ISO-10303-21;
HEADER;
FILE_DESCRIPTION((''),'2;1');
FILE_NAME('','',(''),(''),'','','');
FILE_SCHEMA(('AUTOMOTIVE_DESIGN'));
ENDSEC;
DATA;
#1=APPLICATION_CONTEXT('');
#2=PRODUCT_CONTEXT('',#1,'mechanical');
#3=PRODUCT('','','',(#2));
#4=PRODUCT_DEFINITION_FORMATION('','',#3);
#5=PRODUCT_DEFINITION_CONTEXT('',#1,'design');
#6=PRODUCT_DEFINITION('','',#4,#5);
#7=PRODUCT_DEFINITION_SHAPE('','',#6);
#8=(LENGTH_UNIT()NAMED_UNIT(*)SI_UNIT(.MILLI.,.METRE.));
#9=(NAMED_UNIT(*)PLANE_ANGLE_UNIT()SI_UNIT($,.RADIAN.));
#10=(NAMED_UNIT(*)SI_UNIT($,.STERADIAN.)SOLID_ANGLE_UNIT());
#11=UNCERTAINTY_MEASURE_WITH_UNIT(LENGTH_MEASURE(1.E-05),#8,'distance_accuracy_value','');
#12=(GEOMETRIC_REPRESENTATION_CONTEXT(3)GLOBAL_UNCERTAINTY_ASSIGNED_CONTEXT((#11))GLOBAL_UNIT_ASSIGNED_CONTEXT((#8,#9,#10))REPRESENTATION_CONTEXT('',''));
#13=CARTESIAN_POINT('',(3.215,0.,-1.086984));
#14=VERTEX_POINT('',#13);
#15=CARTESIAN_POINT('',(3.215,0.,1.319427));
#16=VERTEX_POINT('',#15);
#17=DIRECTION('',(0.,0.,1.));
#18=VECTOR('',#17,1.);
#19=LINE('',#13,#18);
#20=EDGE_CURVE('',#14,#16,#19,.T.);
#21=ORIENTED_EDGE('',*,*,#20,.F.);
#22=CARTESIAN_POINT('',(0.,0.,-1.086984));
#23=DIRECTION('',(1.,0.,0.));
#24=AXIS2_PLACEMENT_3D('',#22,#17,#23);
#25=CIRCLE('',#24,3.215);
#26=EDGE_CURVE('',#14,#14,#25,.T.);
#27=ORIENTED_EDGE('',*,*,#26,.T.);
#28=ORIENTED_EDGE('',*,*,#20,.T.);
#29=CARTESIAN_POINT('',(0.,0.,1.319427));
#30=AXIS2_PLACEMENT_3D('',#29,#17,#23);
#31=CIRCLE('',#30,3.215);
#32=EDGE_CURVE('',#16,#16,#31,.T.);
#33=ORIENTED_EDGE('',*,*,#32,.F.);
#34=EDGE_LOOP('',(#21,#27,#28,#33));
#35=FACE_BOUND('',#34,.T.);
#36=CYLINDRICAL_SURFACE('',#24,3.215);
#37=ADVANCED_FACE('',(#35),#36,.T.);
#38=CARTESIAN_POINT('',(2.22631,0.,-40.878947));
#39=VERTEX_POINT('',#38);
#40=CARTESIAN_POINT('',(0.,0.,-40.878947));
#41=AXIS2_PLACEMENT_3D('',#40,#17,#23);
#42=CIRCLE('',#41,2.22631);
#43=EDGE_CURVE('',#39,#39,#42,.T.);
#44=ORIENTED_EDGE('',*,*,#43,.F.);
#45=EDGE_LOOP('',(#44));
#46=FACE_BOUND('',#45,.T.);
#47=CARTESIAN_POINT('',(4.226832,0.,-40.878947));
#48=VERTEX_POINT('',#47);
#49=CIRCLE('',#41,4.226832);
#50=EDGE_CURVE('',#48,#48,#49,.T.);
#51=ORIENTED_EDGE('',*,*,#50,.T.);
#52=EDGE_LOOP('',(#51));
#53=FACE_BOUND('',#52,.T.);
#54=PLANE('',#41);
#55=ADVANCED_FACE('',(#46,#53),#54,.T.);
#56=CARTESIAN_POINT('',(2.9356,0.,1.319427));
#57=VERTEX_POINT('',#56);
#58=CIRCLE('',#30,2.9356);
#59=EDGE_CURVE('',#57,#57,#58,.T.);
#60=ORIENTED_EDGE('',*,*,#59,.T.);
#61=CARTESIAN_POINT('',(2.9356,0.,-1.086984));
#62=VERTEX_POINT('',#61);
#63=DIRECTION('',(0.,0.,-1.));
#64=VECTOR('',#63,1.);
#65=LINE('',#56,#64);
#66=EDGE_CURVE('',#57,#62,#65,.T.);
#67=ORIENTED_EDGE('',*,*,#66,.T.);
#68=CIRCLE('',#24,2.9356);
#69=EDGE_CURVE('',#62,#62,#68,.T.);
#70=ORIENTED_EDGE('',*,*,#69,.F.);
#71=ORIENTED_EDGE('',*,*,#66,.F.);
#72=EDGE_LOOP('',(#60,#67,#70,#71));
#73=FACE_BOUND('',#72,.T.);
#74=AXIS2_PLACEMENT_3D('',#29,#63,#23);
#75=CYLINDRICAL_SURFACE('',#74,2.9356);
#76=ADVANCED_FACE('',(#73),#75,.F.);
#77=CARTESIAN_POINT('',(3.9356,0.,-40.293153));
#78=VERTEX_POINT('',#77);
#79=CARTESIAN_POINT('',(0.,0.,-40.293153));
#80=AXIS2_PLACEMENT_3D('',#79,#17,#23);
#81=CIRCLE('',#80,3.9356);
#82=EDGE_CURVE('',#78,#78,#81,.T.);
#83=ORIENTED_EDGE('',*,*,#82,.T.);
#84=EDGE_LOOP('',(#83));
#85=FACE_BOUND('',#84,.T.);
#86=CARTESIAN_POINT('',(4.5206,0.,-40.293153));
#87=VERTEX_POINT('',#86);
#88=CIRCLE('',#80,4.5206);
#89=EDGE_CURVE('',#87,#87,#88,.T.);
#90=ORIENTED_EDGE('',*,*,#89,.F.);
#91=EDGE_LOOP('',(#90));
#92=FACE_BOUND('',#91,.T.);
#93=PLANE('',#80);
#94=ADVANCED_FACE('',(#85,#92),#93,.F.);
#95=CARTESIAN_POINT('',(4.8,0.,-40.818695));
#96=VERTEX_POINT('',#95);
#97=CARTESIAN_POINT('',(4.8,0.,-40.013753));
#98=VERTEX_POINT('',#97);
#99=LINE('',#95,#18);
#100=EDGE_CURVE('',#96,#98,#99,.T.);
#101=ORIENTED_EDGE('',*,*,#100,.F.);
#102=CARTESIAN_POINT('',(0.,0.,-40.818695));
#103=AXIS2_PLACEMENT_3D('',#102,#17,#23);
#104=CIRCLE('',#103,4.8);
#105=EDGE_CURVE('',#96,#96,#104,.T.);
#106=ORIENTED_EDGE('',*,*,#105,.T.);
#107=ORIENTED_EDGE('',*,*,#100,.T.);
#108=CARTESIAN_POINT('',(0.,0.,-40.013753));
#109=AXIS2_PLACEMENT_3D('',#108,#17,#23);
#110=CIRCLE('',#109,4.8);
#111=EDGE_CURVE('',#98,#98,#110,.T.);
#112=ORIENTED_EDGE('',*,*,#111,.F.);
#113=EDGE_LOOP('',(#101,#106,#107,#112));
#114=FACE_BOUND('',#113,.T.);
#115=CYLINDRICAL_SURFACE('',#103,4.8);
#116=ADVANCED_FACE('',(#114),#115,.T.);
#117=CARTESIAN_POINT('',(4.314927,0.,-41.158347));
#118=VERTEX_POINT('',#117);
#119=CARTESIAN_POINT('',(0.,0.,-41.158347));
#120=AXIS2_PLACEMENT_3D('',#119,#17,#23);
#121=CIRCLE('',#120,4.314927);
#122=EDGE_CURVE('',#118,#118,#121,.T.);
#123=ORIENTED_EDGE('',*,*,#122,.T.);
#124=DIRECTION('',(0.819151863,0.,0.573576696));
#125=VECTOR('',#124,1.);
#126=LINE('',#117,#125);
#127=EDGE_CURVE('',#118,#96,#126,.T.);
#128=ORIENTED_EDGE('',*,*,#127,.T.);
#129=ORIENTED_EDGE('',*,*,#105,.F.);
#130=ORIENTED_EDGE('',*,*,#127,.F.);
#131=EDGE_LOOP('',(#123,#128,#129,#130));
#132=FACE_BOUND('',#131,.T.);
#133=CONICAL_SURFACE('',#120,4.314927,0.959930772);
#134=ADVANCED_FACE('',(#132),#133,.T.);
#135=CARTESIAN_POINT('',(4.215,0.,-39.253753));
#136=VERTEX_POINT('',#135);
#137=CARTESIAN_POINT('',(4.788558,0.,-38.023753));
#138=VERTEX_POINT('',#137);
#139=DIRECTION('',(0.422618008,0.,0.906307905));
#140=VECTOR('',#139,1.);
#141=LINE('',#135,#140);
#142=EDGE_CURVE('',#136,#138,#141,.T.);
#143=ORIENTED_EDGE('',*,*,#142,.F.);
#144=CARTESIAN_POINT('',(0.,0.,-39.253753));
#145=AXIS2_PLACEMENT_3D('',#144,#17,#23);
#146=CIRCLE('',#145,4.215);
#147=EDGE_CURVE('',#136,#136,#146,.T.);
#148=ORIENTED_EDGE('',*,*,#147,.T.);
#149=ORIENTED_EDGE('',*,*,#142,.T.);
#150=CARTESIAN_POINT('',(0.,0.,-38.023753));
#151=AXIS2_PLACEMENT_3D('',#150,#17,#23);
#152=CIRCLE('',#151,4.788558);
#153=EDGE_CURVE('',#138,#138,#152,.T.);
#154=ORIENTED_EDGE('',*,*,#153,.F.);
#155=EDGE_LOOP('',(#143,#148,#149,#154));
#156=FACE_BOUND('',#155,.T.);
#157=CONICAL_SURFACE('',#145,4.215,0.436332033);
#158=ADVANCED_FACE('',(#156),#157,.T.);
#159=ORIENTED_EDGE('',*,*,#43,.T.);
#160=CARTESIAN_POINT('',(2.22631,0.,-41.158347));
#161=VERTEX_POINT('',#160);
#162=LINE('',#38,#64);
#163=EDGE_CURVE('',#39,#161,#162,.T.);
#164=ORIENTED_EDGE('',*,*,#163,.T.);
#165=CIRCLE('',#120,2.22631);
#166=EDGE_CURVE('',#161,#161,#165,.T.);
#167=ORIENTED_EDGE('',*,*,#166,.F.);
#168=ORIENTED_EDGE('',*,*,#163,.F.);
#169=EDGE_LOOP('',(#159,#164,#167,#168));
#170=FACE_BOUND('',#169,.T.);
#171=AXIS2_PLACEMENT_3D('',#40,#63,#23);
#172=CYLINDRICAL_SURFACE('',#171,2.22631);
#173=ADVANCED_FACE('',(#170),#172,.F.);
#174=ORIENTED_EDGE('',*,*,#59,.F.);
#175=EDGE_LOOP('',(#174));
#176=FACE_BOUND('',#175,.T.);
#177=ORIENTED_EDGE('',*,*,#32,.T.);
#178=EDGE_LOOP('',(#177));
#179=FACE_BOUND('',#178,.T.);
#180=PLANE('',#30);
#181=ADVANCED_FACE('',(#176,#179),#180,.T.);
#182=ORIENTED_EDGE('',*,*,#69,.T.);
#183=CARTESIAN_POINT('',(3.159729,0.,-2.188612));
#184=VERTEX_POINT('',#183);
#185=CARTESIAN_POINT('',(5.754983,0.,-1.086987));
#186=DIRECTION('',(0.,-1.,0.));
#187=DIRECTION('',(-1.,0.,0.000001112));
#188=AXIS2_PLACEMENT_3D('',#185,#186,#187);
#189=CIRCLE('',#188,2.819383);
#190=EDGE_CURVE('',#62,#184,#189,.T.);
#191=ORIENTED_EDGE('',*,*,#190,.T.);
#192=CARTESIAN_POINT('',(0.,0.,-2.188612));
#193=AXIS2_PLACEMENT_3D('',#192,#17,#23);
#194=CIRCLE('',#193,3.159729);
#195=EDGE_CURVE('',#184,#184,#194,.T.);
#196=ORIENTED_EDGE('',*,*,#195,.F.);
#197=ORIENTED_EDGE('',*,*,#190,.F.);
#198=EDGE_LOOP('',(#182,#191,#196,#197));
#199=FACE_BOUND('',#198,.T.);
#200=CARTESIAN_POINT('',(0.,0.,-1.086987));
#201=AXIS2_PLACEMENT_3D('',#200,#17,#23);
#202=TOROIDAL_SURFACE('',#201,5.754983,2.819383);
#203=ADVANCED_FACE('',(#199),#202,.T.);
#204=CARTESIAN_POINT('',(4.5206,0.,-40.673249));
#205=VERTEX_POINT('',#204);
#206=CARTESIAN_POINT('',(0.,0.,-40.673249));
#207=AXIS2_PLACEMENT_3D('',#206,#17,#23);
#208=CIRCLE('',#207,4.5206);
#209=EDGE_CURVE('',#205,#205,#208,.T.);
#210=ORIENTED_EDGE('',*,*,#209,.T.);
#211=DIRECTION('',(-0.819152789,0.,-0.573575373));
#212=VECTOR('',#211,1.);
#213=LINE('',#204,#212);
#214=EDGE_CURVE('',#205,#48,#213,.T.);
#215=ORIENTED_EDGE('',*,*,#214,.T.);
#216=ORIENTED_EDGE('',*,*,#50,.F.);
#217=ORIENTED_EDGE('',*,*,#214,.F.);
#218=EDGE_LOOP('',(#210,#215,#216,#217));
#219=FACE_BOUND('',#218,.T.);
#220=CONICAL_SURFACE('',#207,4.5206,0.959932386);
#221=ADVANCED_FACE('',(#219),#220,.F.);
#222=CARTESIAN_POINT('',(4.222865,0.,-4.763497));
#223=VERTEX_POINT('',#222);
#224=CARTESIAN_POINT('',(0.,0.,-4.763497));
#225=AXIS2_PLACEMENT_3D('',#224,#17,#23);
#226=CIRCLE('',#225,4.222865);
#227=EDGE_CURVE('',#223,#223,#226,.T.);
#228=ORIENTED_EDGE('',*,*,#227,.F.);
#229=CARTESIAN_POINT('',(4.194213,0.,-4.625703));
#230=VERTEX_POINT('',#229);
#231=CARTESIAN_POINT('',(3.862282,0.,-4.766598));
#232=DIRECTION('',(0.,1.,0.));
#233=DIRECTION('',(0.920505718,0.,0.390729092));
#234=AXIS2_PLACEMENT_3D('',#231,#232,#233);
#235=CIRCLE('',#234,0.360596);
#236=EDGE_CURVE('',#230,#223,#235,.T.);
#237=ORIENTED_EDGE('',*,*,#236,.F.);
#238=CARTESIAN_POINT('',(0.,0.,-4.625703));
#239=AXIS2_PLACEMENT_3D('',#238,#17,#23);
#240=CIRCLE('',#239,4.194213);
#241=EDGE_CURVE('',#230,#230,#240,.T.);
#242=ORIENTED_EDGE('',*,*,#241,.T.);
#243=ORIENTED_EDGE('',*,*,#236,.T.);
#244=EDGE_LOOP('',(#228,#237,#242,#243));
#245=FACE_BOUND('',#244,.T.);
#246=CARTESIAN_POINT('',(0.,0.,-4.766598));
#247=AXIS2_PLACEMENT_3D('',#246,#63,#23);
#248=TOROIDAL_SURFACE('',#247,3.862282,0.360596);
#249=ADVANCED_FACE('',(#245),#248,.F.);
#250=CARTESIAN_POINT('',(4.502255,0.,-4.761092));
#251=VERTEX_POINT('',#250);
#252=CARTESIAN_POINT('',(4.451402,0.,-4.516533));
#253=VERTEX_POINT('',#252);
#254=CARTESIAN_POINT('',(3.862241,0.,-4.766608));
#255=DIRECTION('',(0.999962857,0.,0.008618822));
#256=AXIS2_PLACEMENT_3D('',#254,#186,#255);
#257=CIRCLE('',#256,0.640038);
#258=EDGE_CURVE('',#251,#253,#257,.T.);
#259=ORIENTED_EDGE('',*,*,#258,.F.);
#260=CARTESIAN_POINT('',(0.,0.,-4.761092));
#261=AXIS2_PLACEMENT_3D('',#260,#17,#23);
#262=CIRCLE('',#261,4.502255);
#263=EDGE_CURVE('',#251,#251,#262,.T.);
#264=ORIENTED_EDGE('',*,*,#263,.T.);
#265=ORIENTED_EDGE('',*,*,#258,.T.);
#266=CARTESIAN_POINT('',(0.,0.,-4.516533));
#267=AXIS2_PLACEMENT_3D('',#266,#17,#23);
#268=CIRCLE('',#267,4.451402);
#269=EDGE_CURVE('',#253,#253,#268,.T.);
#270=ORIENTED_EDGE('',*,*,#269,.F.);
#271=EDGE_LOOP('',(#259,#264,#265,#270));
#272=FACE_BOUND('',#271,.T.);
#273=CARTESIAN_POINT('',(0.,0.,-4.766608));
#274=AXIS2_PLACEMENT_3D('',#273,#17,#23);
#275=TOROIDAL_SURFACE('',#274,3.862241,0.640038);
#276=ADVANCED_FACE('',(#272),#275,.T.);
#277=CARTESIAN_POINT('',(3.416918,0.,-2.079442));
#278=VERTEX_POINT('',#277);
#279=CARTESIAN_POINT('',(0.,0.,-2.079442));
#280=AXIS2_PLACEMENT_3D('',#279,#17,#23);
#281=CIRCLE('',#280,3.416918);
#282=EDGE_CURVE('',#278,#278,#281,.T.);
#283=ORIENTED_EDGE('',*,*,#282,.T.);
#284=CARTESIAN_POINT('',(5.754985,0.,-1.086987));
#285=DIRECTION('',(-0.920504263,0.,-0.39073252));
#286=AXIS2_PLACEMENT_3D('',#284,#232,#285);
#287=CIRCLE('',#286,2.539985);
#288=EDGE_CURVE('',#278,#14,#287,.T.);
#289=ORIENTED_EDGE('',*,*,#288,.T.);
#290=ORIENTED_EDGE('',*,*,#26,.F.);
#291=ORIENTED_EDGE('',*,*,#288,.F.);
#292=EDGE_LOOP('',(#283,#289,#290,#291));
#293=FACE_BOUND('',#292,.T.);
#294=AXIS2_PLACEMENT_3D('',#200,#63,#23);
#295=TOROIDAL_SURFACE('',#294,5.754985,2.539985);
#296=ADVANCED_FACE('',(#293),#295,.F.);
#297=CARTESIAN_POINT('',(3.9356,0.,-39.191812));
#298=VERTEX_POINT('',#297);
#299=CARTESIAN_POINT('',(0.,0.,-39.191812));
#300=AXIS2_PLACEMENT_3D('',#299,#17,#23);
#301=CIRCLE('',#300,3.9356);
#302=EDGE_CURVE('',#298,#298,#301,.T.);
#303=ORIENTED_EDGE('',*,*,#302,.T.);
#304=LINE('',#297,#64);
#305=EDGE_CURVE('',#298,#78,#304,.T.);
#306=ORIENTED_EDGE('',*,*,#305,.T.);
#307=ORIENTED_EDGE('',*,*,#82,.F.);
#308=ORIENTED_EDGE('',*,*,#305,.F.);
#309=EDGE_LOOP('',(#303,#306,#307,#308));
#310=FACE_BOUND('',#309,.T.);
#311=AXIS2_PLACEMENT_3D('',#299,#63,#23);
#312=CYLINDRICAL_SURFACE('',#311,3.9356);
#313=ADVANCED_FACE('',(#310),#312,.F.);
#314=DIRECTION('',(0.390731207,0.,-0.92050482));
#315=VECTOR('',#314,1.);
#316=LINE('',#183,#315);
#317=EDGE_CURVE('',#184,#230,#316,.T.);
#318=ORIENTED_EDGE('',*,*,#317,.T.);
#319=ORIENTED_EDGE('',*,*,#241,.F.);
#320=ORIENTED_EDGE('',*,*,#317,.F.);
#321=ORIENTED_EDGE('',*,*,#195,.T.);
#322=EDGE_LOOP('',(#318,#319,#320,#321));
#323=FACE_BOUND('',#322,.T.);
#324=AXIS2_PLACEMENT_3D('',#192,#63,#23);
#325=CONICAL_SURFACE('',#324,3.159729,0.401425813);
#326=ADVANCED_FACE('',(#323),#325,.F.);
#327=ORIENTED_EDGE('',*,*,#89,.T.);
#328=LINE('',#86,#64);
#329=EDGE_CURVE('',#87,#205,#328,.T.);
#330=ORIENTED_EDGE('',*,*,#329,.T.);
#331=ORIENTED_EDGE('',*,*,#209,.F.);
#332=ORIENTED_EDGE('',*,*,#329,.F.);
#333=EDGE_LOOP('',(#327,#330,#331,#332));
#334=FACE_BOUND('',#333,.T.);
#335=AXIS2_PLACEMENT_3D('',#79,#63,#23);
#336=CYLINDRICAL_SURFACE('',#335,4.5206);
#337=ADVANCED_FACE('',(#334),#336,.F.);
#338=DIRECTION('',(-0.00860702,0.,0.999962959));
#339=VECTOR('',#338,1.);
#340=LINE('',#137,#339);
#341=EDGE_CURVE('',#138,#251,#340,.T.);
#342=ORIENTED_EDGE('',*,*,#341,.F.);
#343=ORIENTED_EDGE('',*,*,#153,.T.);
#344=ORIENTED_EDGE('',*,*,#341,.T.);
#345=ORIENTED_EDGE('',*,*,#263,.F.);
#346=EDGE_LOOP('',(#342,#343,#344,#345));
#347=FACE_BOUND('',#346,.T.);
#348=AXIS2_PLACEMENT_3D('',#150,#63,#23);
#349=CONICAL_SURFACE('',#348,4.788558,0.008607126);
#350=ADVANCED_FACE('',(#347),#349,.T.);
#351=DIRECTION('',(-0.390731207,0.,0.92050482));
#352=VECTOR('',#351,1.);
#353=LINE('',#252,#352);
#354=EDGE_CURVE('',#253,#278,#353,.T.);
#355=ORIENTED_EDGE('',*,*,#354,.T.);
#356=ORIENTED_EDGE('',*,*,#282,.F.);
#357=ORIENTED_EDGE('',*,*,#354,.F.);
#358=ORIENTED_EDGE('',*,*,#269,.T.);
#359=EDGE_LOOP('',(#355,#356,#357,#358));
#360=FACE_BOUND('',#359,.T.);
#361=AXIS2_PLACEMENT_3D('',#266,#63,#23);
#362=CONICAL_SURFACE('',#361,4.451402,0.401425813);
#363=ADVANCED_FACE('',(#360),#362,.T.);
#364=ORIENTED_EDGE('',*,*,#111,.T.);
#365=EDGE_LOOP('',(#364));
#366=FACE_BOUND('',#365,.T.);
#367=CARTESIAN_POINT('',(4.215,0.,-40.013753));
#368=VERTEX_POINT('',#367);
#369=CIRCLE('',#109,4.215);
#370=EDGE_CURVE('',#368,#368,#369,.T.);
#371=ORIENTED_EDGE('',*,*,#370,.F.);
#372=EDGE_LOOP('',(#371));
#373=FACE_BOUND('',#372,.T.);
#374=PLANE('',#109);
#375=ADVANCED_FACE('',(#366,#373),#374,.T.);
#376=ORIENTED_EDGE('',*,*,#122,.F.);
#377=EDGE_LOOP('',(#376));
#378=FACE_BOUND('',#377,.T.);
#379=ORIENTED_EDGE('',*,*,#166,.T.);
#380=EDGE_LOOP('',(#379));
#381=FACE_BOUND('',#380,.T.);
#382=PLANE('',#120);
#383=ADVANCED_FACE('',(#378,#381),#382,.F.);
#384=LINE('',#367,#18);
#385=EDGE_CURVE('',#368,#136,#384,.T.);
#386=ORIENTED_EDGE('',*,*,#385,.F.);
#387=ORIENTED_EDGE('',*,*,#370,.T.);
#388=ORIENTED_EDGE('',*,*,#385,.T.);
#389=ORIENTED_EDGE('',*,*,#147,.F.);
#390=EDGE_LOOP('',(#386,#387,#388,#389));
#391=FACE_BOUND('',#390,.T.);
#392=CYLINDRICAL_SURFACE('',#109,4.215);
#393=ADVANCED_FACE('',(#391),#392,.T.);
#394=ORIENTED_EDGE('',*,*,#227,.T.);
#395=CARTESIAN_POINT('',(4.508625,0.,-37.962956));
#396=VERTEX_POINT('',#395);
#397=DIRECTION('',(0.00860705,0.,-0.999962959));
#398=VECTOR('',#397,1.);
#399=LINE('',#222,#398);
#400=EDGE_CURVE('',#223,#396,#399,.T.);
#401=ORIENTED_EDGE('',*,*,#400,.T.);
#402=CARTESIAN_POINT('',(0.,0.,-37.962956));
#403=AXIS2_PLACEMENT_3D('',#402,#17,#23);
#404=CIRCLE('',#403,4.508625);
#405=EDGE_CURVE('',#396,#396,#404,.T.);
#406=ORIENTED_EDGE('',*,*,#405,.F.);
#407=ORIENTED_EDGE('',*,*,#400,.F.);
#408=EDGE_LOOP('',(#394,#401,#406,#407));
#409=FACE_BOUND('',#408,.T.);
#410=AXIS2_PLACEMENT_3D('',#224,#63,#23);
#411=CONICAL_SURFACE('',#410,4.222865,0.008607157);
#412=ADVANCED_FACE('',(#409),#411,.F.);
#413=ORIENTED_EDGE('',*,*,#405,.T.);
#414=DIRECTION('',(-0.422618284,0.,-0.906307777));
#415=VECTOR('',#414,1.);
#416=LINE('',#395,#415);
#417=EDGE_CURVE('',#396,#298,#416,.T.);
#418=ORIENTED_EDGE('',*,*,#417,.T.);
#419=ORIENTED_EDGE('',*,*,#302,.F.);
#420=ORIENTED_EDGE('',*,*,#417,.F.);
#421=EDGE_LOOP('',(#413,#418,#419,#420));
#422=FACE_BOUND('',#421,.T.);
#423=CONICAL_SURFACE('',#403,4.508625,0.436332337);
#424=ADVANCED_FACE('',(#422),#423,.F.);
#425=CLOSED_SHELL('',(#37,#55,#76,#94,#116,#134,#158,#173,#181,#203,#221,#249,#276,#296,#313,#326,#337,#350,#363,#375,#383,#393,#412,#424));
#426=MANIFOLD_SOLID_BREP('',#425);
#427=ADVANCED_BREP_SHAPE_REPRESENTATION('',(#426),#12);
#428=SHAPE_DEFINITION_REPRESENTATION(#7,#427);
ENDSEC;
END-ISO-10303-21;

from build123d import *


with BuildPart() as f1:
    # F0 (on Front) → F1 (revolve)
    with BuildSketch(Plane.XZ):
        with BuildLine():
            Line((2.22631, -41.158347), (4.314927, -41.158347))
            Line((4.314927, -41.158347), (4.8, -40.818695))
            Line((4.8, -40.818695), (4.8, -40.013753))
            Line((4.8, -40.013753), (4.215, -40.013753))
            Line((4.215, -40.013753), (4.215, -39.253753))
            Line((4.215, -39.253753), (4.788558, -38.023753))
            Line((4.788558, -38.023753), (4.502255, -4.761092))
            ThreePointArc((4.502255, -4.761092), (4.488875, -4.636308), (4.451402, -4.516533))
            Line((4.451402, -4.516533), (3.416918, -2.079442))
            ThreePointArc((3.416918, -2.079442), (3.265991, -1.593379), (3.215, -1.086984))
            Line((3.215, -1.086984), (3.215, 1.319427))
            Line((3.215, 1.319427), (2.9356, 1.319427))
            Line((2.9356, 1.319427), (2.9356, -1.086984))
            ThreePointArc((2.9356, -1.086984), (2.9922, -1.649082), (3.159729, -2.188612))
            Line((3.159729, -2.188612), (4.194213, -4.625703))
            ThreePointArc((4.194213, -4.625703), (4.215327, -4.693189), (4.222865, -4.763497))
            Line((4.222865, -4.763497), (4.508625, -37.962956))
            Line((4.508625, -37.962956), (3.9356, -39.191812))
            Line((3.9356, -39.191812), (3.9356, -40.293153))
            Line((3.9356, -40.293153), (4.5206, -40.293153))
            Line((4.5206, -40.293153), (4.5206, -40.673249))
            Line((4.5206, -40.673249), (4.226832, -40.878947))
            Line((4.226832, -40.878947), (2.22631, -40.878947))
            Line((2.22631, -40.878947), (2.22631, -41.158347))
        make_face()
    revolve(axis=Axis((0, 0, -19.917163), (0, 0, 1)))


solid = f1.part
